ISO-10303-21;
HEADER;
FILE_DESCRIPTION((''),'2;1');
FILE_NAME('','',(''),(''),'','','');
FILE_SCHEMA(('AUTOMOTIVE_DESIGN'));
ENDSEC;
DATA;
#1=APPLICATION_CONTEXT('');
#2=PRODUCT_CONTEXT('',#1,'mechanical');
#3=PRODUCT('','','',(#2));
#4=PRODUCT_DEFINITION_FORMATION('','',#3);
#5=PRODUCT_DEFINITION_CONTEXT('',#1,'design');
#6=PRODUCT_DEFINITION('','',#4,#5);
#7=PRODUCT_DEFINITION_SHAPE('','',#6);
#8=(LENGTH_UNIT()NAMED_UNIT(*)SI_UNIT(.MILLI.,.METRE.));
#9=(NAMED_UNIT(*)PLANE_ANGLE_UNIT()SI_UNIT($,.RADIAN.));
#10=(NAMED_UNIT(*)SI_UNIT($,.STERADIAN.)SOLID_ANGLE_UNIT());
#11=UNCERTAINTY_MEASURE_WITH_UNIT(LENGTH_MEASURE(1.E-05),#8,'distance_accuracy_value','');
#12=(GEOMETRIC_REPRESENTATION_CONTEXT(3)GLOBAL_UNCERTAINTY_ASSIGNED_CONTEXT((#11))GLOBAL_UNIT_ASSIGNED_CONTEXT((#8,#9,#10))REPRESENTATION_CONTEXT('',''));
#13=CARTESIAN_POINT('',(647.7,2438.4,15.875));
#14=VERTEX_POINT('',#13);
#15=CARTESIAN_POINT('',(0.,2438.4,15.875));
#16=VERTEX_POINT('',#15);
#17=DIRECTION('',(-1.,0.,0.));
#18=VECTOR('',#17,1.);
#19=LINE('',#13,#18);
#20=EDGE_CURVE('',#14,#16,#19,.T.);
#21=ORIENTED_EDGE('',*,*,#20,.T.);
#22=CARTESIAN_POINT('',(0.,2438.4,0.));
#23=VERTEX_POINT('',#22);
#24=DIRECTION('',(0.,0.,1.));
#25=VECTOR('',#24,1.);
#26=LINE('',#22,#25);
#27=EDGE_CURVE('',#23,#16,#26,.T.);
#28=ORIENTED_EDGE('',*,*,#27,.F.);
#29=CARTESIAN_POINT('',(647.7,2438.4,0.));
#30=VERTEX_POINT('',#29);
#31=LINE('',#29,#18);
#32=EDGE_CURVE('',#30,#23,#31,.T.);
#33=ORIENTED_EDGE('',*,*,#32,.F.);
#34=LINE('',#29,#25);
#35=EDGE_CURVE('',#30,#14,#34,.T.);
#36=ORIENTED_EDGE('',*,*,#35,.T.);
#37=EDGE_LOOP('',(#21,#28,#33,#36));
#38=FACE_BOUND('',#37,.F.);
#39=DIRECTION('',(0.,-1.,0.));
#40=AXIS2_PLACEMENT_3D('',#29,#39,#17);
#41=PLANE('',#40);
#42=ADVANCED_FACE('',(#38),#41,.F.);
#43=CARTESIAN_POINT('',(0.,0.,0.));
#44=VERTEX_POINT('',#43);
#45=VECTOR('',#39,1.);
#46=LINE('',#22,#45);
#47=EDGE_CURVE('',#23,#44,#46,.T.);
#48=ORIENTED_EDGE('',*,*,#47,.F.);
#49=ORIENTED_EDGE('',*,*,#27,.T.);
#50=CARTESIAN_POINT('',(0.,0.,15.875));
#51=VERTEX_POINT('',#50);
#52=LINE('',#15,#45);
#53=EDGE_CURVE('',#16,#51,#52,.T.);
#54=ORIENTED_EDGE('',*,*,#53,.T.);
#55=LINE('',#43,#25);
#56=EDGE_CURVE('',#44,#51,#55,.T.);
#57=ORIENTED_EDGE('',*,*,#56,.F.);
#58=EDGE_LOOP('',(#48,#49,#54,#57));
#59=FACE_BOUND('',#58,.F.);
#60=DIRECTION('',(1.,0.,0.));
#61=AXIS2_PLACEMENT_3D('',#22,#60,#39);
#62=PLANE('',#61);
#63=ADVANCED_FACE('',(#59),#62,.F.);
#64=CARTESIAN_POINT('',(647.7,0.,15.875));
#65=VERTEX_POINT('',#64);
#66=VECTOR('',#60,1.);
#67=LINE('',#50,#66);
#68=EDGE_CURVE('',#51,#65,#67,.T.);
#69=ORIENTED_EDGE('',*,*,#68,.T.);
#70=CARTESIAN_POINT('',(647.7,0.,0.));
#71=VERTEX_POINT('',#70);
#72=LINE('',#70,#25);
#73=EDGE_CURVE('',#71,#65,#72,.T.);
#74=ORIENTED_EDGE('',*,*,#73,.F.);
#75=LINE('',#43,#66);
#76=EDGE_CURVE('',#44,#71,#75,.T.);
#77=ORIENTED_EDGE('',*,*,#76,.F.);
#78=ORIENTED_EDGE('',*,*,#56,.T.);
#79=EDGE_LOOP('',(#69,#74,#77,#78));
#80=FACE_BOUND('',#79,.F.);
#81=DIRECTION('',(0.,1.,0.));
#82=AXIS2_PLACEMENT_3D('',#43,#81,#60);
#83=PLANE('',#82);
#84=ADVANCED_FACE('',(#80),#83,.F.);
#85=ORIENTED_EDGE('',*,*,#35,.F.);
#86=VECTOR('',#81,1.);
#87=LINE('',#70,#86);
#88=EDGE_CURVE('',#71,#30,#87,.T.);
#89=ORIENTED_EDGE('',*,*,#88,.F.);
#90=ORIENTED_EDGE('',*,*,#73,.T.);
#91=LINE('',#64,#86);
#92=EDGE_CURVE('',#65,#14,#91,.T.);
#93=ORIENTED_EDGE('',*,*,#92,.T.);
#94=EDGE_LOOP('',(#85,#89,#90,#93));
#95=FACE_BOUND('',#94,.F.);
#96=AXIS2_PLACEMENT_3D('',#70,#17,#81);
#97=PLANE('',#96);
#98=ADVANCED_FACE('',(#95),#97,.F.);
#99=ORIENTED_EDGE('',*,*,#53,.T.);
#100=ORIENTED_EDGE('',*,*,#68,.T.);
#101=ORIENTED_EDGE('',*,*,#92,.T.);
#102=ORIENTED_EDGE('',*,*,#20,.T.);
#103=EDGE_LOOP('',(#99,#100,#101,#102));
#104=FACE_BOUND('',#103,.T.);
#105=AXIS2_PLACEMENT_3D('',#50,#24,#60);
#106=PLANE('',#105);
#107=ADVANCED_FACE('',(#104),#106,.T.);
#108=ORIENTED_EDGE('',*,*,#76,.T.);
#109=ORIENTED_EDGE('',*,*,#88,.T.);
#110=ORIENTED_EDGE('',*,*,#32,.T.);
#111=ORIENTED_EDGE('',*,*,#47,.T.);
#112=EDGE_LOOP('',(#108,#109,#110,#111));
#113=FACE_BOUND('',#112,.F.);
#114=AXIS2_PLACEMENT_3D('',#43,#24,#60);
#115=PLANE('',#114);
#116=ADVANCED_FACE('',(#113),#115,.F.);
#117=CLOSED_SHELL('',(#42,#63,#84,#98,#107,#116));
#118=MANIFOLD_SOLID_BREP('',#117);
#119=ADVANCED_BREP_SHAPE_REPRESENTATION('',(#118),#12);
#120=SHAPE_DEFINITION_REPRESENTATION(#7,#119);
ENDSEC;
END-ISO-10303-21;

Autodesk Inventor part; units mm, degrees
ref_plane "YZ Plane" through (0, 0, 0) normal (1, 0, 0) x (0, 1, 0)
ref_plane "XZ Plane" through (0, 0, 0) normal (0, 1, 0) x (-1, 0, 0)
ref_plane "XY Plane" through (0, 0, 0) normal (0, 0, 1) x (1, 0, 0)
sketch "Sketch1" plane through (0, 0, 0) normal (0, 0, 1) x (1, 0, 0)
  line L0 (0, 0) -> (647.7, 0)
  line L1 (647.7, 0) -> (647.7, 2438.4)
  line L2 (647.7, 2438.4) -> (0, 2438.4)
  line L3 (0, 2438.4) -> (0, 0)
  dimension "d2" = 2438.4
  dimension "d3" = 647.7
extrude "Extrusion1" add sketch "Sketch1" along normal blind 15.875
properties part number "DensGlass_With_Dimensions_25.5_x_96_Inches" material "Wood (Birch)"
